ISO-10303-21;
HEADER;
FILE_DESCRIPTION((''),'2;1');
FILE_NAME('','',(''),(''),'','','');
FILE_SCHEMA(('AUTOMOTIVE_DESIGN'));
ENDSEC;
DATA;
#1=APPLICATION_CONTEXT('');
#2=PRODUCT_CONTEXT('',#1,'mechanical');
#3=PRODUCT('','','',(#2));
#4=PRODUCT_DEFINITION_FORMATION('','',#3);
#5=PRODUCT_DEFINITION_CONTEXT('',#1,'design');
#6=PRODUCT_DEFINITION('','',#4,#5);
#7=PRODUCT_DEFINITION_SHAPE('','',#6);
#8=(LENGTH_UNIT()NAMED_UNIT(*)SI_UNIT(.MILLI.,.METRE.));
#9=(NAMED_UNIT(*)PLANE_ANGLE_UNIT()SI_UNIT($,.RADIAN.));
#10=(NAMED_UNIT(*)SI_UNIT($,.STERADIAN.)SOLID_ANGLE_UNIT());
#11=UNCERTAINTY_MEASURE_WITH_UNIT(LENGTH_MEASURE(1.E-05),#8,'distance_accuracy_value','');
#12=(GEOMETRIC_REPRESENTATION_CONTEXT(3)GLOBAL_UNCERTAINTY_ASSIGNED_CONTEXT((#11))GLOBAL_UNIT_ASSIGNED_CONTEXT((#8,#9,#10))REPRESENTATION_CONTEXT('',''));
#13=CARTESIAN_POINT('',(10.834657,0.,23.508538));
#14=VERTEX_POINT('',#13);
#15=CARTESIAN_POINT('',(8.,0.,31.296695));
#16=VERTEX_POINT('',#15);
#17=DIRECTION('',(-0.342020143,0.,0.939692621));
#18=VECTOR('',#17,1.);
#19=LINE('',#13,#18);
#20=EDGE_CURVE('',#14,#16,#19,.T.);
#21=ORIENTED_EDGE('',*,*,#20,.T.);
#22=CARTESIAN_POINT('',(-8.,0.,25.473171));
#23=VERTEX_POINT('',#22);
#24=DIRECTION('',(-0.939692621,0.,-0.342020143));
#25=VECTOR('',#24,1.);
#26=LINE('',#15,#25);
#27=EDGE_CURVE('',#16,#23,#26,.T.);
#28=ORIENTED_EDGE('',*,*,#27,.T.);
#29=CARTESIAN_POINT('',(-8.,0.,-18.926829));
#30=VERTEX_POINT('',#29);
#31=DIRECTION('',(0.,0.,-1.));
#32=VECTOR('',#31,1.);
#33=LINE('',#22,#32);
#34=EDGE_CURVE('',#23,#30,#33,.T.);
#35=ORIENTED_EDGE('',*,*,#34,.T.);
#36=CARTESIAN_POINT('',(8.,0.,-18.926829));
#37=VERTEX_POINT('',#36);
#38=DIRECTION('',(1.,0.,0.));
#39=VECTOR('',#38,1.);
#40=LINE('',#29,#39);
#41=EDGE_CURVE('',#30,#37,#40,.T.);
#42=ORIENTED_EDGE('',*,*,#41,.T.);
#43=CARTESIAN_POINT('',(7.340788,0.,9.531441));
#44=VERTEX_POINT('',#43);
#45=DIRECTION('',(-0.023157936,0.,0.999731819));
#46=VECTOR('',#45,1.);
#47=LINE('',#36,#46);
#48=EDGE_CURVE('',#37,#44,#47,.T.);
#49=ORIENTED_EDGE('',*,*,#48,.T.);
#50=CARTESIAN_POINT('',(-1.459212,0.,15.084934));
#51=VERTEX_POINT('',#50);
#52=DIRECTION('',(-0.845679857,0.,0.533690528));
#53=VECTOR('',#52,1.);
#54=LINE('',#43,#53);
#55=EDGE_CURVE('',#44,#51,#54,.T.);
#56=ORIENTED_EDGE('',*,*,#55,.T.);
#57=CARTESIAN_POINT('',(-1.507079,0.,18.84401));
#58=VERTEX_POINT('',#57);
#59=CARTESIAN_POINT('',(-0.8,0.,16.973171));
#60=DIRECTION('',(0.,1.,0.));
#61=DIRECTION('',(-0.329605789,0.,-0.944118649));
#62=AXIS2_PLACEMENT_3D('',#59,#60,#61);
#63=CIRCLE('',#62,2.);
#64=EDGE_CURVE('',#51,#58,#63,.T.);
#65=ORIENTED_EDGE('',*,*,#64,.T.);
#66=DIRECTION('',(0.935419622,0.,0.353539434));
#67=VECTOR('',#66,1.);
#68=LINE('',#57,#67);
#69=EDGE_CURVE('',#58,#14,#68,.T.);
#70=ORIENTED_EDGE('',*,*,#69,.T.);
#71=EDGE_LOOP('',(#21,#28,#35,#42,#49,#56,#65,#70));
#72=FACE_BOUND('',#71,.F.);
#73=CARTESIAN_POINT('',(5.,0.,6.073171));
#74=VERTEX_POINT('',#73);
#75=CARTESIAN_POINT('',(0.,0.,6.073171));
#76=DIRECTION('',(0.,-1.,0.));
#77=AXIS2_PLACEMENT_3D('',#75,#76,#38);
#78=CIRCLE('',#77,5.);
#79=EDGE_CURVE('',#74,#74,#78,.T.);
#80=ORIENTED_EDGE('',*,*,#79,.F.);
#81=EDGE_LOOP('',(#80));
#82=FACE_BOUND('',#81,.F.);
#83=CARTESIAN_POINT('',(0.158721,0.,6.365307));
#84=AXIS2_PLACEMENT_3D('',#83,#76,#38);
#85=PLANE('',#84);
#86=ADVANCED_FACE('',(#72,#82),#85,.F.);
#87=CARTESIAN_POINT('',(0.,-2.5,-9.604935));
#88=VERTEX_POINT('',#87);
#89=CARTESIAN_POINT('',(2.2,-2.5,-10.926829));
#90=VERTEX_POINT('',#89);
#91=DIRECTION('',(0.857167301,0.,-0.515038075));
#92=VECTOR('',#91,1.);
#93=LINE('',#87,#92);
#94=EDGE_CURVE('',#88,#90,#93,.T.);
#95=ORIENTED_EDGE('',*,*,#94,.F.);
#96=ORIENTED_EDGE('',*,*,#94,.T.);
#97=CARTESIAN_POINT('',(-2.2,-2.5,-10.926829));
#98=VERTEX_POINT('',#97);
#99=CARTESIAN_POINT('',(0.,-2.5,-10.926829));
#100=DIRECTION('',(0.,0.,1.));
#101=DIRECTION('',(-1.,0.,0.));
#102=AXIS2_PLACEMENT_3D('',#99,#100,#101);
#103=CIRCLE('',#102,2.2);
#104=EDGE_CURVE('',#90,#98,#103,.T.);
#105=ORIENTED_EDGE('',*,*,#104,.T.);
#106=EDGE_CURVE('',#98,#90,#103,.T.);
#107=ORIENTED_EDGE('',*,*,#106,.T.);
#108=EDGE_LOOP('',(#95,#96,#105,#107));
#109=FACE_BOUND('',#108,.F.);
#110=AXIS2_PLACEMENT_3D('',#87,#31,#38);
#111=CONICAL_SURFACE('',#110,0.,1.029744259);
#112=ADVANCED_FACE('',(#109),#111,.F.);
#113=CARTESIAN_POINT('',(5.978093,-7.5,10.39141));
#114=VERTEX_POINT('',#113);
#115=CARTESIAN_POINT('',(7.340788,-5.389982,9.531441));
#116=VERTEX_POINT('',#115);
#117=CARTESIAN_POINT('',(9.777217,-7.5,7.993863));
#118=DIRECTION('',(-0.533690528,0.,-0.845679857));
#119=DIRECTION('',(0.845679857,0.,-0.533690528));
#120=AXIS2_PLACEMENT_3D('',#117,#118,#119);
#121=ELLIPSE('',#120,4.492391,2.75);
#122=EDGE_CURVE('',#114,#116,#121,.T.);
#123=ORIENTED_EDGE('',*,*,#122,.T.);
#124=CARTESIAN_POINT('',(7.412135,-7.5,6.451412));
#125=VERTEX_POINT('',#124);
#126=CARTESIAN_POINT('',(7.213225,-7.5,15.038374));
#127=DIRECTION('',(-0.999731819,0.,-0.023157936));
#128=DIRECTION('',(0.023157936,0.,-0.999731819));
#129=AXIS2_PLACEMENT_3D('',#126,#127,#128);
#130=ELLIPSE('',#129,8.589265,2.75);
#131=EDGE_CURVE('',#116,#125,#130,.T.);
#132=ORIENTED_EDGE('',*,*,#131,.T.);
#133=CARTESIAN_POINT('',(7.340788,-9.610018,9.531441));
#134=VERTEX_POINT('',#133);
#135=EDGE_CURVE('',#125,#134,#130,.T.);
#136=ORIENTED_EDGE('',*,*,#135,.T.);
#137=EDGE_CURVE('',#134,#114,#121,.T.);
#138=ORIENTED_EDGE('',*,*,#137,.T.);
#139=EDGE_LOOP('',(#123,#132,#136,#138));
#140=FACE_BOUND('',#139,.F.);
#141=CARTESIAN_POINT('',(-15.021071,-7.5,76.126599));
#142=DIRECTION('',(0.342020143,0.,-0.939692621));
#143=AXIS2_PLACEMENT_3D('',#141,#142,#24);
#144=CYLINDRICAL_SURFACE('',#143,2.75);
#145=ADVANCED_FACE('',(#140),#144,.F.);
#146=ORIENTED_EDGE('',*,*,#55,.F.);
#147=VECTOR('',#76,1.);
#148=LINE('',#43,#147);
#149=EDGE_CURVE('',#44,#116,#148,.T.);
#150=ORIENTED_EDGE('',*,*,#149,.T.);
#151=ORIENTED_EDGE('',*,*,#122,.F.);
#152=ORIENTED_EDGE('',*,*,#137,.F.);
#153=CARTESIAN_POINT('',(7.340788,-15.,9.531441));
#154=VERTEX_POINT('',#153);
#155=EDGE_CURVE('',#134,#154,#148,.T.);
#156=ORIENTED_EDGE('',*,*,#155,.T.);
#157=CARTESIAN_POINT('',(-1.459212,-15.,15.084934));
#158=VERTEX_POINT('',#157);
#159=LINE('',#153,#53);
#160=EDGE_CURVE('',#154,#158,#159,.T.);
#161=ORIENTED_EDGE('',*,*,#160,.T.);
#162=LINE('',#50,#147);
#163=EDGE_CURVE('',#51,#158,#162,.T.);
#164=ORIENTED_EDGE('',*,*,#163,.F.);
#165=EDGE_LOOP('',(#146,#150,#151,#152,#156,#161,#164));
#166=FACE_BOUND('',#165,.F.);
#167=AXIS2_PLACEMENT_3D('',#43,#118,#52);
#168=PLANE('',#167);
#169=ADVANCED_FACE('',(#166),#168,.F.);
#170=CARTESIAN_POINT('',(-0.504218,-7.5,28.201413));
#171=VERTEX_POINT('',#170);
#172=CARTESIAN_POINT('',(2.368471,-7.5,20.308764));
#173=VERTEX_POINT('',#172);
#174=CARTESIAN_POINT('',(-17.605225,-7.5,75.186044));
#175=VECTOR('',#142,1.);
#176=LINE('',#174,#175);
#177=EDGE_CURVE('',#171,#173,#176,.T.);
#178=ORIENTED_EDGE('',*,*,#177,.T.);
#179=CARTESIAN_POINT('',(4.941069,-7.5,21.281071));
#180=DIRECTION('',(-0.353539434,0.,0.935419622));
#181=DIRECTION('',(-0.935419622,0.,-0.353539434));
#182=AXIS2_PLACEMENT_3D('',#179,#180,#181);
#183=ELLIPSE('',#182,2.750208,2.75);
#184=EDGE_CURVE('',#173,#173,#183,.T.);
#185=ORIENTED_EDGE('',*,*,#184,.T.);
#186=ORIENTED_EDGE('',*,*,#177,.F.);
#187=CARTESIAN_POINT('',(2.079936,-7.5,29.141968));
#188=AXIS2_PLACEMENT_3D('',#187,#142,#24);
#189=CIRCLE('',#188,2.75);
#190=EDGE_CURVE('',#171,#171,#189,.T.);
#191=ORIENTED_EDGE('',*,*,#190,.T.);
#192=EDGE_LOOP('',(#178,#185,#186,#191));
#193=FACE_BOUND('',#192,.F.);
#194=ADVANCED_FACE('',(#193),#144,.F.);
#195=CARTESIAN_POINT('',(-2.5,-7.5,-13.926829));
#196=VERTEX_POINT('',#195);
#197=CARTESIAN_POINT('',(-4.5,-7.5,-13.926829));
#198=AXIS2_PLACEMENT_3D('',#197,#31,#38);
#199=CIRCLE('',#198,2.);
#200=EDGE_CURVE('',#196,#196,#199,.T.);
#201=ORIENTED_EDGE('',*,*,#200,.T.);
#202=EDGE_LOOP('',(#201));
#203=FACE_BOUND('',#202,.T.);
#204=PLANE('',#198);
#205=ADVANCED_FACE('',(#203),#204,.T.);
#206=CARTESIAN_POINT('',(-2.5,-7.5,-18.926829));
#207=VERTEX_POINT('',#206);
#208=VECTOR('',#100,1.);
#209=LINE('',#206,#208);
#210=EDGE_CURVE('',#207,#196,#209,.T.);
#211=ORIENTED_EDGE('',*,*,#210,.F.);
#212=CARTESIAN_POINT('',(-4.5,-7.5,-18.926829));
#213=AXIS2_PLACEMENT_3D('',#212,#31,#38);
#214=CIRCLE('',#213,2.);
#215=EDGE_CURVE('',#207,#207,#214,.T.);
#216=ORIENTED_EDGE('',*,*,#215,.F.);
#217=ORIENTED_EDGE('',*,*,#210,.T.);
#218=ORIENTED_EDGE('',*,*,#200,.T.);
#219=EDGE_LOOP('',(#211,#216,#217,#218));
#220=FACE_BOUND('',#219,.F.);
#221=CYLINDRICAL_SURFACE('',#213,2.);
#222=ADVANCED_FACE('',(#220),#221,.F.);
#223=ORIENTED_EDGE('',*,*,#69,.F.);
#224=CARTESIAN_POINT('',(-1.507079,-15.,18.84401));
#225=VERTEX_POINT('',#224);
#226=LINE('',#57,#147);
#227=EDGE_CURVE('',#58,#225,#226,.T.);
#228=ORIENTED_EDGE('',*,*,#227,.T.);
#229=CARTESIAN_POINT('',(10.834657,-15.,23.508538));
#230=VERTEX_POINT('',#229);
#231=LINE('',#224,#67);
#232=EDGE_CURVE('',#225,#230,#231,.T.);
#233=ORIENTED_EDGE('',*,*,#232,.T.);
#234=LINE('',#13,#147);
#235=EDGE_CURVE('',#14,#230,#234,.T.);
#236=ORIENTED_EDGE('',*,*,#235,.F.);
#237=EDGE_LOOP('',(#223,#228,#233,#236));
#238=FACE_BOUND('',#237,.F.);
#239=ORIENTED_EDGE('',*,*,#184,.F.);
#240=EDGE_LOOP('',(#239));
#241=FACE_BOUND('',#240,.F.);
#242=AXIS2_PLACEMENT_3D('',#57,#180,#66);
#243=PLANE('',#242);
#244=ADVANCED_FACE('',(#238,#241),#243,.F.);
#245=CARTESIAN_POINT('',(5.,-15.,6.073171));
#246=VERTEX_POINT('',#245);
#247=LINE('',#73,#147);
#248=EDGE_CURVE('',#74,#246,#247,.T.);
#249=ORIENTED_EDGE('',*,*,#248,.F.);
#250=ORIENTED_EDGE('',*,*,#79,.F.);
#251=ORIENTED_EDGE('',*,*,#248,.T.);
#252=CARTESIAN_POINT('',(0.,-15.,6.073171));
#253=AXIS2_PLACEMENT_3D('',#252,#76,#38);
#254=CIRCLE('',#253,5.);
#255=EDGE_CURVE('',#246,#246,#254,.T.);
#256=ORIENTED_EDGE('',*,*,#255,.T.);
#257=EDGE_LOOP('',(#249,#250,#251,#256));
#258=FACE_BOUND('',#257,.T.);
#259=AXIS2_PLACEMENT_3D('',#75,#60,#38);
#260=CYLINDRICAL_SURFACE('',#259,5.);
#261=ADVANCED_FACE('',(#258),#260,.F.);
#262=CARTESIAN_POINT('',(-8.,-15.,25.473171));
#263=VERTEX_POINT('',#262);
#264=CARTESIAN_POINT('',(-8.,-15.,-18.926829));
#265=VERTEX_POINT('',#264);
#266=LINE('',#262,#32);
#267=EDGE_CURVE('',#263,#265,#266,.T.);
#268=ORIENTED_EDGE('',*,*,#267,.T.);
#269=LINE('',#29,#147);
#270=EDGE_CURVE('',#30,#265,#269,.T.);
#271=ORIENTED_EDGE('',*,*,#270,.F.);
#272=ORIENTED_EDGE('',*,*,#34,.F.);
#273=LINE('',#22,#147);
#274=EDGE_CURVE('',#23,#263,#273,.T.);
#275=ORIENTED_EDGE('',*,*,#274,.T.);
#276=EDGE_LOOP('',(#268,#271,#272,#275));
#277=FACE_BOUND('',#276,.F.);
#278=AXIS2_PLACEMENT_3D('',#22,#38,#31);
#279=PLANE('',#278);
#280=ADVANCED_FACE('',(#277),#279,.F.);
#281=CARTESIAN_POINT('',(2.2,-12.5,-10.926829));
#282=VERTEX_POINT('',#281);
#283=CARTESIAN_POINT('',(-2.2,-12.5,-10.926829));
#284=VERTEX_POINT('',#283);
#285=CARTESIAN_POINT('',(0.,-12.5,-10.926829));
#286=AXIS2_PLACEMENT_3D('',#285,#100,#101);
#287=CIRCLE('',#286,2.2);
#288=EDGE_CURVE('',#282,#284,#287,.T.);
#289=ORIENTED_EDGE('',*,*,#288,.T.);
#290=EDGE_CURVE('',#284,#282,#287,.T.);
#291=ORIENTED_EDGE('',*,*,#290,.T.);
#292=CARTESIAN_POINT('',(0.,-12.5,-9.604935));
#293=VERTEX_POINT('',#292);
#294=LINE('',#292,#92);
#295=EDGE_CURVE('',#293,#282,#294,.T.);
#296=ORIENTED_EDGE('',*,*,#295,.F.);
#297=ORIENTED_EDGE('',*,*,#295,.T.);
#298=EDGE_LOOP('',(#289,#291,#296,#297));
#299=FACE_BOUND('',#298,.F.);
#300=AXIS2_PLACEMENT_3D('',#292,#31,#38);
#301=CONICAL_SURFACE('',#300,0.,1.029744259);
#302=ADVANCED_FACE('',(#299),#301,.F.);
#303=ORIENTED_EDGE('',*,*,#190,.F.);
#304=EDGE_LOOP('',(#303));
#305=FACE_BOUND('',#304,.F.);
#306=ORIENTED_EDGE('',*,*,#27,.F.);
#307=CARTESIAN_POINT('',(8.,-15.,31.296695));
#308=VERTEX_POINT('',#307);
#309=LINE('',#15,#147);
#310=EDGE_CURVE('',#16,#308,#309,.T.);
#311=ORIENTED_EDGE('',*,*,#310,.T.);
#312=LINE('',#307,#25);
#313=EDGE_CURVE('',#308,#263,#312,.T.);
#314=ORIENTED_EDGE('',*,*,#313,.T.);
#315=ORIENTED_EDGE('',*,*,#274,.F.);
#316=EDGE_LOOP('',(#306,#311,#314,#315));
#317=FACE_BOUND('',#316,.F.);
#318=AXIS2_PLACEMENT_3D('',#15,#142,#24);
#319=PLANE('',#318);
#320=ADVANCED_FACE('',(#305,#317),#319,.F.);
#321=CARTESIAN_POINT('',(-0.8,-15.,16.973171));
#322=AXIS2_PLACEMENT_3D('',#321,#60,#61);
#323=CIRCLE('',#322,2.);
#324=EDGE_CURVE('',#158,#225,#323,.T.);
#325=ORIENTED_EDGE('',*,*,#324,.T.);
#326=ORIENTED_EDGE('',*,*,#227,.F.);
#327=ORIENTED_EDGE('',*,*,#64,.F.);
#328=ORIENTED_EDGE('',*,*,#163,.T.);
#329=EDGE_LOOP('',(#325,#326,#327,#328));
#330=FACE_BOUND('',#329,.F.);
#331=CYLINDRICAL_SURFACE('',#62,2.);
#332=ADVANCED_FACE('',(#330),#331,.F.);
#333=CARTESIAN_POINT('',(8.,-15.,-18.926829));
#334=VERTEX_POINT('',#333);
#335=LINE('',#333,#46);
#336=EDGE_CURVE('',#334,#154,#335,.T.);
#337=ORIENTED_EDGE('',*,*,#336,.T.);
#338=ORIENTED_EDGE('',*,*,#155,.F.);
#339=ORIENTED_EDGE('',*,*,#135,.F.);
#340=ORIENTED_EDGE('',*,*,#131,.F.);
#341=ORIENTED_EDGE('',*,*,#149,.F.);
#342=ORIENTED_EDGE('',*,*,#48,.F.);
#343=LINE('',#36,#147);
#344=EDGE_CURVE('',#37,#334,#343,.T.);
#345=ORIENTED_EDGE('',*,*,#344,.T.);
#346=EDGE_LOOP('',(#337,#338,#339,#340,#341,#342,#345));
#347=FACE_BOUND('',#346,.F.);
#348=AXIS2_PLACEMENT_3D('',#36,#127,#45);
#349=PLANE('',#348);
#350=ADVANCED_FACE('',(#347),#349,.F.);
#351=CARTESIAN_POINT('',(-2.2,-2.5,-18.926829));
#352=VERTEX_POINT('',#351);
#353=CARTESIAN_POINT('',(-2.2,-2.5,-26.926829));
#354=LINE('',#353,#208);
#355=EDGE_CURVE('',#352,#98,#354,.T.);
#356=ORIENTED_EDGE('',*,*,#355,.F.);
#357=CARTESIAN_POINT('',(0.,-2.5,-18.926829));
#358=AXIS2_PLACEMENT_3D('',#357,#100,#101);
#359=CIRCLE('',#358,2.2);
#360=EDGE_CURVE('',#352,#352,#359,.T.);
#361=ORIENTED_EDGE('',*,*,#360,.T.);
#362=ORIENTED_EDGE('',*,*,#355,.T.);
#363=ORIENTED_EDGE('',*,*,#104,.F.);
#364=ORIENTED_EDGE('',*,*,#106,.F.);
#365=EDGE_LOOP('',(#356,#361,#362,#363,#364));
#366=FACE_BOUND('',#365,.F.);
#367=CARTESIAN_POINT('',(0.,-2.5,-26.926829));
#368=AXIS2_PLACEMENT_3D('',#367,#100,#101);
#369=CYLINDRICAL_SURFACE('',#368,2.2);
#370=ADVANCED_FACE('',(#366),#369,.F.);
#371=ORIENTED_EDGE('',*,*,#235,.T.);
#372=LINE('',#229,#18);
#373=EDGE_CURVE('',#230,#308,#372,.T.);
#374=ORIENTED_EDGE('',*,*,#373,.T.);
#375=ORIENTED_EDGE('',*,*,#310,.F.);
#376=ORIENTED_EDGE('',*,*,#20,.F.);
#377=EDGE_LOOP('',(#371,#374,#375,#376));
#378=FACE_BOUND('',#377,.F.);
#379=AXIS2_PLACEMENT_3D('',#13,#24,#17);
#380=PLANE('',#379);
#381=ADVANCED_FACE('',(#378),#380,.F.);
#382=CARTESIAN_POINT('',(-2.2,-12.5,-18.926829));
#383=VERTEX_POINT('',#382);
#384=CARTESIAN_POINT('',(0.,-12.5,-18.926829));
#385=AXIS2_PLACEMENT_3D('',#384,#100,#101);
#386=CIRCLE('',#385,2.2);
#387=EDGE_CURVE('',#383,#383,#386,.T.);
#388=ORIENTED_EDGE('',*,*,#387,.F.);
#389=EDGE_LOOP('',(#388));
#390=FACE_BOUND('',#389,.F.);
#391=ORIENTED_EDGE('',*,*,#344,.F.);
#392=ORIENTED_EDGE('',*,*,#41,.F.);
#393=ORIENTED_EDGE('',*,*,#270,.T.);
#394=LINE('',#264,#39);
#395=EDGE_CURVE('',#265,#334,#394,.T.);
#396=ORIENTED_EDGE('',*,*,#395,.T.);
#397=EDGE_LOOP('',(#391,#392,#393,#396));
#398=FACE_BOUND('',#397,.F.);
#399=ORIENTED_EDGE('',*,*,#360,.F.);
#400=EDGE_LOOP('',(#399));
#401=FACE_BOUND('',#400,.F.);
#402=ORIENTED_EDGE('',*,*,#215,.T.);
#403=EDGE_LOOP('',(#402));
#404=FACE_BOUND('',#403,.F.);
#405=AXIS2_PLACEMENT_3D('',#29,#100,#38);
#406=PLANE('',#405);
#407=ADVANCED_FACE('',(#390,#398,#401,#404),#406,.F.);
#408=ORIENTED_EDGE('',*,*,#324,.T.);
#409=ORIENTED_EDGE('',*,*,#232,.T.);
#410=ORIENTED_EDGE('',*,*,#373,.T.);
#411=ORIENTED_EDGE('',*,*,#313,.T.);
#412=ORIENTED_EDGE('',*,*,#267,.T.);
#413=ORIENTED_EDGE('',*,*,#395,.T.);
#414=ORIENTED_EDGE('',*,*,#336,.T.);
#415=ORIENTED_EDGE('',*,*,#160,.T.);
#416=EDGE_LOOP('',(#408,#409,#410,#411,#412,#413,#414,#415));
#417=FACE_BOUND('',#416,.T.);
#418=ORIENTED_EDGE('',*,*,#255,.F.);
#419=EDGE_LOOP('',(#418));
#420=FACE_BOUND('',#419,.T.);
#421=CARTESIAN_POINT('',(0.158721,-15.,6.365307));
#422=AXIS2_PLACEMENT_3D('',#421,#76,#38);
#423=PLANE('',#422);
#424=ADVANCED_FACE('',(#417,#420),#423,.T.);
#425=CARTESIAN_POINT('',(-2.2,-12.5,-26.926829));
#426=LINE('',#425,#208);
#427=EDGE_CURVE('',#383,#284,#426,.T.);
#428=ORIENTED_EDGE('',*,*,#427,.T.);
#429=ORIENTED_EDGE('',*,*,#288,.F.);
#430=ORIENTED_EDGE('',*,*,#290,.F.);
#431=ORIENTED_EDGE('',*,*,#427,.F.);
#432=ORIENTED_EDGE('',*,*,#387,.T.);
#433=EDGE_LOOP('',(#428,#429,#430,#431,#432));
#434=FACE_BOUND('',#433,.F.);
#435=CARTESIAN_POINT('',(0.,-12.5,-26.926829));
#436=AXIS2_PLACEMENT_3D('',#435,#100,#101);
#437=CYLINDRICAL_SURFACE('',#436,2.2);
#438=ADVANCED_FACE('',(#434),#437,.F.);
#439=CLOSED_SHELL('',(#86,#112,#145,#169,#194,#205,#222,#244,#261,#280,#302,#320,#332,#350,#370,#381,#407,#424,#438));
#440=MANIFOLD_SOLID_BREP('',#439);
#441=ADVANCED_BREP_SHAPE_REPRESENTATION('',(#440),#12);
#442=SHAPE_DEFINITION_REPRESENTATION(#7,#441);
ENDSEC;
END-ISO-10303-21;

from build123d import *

# Parameters (mm, degrees)
F0_R     = 5
F1_DEPTH = 15
F3_D     = 5.5
F3_DEPTH = 50
F3_TIP   = 1.6523667023
F5_D     = 4.4
F5_DEPTH = 8
F5_TIP   = 1.3218933619
F6_R     = 2
F7_DEPTH = 5


with BuildPart() as f1:
    # F0 (on Front) → F1 (new body)
    with BuildSketch(Plane.XZ):
        with BuildLine():
            Line((-8, -18.9268288441), (8, -18.9268288441))
            Line((8, -18.9268288441), (7.3407884225, 9.531441468))
            Line((7.3407884225, 9.531441468), (-1.4592115775, 15.0849338573))
            ThreePointArc((-1.4592115775, 15.0849338573), (-2.7998378703, 16.9477056406), (-1.5070788684, 18.8440103991))
            Line((-1.5070788684, 18.8440103991), (10.8346573695, 23.5085377897))
            Line((10.8346573695, 23.5085377897), (8, 31.2966949042))
            Line((8, 31.2966949042), (-8, 25.4731711559))
            Line((-8, 25.4731711559), (-8, -18.9268288441))
        make_face()
        with Locations((0, 6.0731711559)):
            Circle(F0_R, mode=Mode.SUBTRACT)
    extrude(amount=F1_DEPTH)

    # F3
    with Locations(Plane(origin=(-9.1227416268, 0, 25.064526623), x_dir=(0.9396926208, 0, 0.3420201433), z_dir=(-0.3420201433, 0, 0.9396926208))):
        with Locations((11.921641043, -7.5)):
            Hole(F3_D / 2, depth=F3_DEPTH)
            with Locations((0, 0, -(F3_DEPTH + F3_TIP / 2))):  # 118° drill point
                Cone(0, F3_D / 2, F3_TIP, mode=Mode.SUBTRACT)

    # F5
    with Locations(Plane(origin=(0, 0, -18.9268288441), x_dir=(1, 0, 0), z_dir=(0, 0, -1))):
        with Locations((0, 12.5), (0, 2.5)):
            Hole(F5_D / 2, depth=F5_DEPTH)
            with Locations((0, 0, -(F5_DEPTH + F5_TIP / 2))):  # 118° drill point
                Cone(0, F5_D / 2, F5_TIP, mode=Mode.SUBTRACT)

    # F6 (on face) → F7 (cut)
    with BuildSketch(Plane(origin=(0, 0, -18.9268288441), x_dir=(1, 0, 0), z_dir=(0, 0, -1))):
        with Locations((-4.5, 7.5)):
            Circle(F6_R)
    extrude(amount=-F7_DEPTH, mode=Mode.SUBTRACT)


solid = f1.part
